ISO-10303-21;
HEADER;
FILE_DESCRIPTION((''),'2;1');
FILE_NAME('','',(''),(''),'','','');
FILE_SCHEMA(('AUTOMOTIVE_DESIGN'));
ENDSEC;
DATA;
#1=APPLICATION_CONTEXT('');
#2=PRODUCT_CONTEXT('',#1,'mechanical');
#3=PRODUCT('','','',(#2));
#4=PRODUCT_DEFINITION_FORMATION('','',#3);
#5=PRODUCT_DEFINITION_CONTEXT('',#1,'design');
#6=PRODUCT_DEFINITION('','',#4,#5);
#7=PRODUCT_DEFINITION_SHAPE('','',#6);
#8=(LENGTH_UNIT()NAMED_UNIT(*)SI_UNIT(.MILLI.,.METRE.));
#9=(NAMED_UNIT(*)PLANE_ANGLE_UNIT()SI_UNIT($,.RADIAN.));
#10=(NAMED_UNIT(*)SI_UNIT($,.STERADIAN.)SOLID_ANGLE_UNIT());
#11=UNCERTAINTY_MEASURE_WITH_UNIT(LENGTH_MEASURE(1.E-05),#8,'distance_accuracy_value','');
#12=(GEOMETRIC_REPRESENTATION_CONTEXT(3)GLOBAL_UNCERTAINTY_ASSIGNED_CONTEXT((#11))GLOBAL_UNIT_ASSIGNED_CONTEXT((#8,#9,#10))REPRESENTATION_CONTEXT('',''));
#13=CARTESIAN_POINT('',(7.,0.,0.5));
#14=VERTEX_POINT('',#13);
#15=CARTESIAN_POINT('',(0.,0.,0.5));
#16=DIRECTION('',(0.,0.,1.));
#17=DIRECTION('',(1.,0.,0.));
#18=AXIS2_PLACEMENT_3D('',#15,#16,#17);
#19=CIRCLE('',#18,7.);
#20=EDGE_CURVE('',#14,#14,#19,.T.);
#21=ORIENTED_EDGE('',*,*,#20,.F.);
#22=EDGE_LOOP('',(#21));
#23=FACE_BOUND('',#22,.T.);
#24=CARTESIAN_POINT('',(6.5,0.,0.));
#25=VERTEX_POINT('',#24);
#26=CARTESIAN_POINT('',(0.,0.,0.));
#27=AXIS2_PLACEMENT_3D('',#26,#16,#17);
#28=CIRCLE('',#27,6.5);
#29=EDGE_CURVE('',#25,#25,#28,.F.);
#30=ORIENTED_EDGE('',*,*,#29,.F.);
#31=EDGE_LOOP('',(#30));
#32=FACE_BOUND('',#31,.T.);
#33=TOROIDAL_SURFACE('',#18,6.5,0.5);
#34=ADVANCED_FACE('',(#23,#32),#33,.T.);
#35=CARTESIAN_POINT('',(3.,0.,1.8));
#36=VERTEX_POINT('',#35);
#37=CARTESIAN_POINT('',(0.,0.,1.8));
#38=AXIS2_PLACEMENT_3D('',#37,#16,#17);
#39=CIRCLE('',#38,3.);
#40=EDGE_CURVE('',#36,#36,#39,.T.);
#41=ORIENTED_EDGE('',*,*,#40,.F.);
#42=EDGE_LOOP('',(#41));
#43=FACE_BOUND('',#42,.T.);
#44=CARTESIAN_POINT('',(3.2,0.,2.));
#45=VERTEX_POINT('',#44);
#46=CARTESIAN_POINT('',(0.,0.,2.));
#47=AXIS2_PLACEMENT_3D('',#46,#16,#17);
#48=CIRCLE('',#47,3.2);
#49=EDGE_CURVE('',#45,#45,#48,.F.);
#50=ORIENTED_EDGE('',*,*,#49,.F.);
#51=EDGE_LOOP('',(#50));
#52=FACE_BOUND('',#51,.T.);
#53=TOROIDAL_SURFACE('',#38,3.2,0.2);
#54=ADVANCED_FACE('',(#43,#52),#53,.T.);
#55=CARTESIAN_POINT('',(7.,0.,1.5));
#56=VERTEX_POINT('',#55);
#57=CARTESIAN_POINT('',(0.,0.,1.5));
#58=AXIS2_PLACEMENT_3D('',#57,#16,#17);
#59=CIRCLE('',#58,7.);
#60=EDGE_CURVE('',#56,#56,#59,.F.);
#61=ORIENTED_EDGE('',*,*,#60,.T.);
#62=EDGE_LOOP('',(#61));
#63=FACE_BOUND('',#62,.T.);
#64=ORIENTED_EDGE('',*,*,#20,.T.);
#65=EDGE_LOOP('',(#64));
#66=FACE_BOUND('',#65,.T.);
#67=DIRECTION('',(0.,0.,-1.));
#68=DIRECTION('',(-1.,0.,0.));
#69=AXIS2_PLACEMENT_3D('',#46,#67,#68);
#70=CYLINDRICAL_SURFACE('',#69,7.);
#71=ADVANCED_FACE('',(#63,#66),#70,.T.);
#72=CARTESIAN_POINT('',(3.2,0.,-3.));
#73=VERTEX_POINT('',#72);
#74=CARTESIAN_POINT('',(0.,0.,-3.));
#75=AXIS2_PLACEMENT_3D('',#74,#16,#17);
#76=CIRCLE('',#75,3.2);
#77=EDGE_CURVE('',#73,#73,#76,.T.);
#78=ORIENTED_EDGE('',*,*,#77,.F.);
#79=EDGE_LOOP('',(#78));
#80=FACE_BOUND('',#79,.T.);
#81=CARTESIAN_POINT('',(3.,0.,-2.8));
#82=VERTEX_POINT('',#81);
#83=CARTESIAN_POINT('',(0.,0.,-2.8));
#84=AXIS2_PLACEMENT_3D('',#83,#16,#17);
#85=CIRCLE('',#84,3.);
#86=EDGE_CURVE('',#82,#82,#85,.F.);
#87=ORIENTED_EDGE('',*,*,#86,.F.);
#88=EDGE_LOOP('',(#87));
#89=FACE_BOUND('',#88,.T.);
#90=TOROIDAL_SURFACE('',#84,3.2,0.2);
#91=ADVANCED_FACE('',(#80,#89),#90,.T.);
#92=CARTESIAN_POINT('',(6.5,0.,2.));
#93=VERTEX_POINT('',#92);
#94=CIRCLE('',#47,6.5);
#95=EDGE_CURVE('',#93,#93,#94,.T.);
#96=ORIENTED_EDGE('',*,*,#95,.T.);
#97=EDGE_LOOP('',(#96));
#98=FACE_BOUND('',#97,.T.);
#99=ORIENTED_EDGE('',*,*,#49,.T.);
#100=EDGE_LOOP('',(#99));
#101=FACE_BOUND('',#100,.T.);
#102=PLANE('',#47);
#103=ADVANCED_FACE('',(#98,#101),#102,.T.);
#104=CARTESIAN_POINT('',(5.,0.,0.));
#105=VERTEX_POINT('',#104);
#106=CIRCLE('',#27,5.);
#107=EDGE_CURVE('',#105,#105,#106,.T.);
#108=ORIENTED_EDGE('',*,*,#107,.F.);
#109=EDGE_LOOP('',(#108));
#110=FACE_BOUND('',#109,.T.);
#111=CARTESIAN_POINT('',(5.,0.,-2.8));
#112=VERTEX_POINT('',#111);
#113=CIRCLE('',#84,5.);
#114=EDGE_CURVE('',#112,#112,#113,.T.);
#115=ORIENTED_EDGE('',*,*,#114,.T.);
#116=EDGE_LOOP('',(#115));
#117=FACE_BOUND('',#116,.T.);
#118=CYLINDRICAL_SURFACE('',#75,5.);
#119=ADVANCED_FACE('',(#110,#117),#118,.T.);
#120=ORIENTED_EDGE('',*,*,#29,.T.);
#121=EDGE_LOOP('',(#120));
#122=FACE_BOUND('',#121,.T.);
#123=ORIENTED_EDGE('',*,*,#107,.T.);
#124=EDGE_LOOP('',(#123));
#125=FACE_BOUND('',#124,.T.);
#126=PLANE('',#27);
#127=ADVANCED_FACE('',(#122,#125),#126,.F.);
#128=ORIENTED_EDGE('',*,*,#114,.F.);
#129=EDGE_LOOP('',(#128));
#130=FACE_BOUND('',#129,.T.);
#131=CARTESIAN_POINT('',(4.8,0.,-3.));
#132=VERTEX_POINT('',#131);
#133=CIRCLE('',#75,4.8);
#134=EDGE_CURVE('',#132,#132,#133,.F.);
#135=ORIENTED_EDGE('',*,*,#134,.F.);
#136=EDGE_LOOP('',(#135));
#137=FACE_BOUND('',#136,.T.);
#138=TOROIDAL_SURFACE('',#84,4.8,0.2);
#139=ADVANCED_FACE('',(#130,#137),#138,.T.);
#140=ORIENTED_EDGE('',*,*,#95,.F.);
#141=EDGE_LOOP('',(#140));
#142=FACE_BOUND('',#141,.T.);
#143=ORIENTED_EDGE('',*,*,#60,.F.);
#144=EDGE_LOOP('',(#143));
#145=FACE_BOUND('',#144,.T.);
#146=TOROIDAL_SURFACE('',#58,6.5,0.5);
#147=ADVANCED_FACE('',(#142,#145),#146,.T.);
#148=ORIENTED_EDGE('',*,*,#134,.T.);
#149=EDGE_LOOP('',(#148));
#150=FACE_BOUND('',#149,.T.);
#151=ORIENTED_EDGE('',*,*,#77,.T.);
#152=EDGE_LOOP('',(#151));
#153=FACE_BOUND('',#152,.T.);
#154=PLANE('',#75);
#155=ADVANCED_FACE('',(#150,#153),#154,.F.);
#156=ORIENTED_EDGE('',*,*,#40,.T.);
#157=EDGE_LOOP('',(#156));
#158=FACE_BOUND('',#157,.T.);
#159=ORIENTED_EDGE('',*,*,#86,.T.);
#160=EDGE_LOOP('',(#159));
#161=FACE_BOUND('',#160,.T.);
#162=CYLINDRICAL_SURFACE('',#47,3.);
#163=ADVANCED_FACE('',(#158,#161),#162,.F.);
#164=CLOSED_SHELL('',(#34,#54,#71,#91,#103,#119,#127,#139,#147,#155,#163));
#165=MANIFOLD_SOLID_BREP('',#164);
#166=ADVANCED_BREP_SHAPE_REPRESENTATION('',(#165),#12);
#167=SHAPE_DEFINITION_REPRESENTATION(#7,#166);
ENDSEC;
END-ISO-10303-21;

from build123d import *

# Parameters (mm, degrees)
SKETCH_2_R                = 7
EXTRUDE_1_DEPTH           = 2
SKETCH_3_R                = 5
EXTRUDE_2_DEPTH           = 5
HOLE_WIZARD_6_0_6_1_D     = 6
HOLE_WIZARD_6_0_6_1_DEPTH = 30.32
HOLE_WIZARD_6_0_6_1_TIP   = 1.802581857
FILLET_1_R                = 0.5
FILLET_2_R                = 0.2


with BuildPart() as part:
    # 草图2 → 凸台-拉伸1 (new body)
    with BuildSketch(Plane.XY):
        Circle(SKETCH_2_R)
    extrude(amount=EXTRUDE_1_DEPTH)

    # 草图3 → 凸台-拉伸2 (add)
    with BuildSketch(Plane.XY.offset(2)):
        Circle(SKETCH_3_R)
    extrude(amount=-EXTRUDE_2_DEPTH)

    # Ø6.0 (6) 直径孔1
    with Locations(Plane.XY.offset(2)):
        with Locations((0, 0)):
            Hole(HOLE_WIZARD_6_0_6_1_D / 2, depth=HOLE_WIZARD_6_0_6_1_DEPTH)
            with Locations((0, 0, -(HOLE_WIZARD_6_0_6_1_DEPTH + HOLE_WIZARD_6_0_6_1_TIP / 2))):  # 118° drill point
                Cone(0, HOLE_WIZARD_6_0_6_1_D / 2, HOLE_WIZARD_6_0_6_1_TIP, mode=Mode.SUBTRACT)

    # 圆角1
    fillet_1_edges = [part.edges().sort_by_distance(p)[0] for p in [
        (-7, 0, 0),
        (-7, 0, 2),
    ]]
    fillet(fillet_1_edges, radius=FILLET_1_R)

    # 圆角2
    fillet_2_edges = [part.edges().sort_by_distance(p)[0] for p in [
        (3, 0, -3),
        (3, 0, 2),
        (-5, 0, -3),
    ]]
    fillet(fillet_2_edges, radius=FILLET_2_R)


solid = part.part
